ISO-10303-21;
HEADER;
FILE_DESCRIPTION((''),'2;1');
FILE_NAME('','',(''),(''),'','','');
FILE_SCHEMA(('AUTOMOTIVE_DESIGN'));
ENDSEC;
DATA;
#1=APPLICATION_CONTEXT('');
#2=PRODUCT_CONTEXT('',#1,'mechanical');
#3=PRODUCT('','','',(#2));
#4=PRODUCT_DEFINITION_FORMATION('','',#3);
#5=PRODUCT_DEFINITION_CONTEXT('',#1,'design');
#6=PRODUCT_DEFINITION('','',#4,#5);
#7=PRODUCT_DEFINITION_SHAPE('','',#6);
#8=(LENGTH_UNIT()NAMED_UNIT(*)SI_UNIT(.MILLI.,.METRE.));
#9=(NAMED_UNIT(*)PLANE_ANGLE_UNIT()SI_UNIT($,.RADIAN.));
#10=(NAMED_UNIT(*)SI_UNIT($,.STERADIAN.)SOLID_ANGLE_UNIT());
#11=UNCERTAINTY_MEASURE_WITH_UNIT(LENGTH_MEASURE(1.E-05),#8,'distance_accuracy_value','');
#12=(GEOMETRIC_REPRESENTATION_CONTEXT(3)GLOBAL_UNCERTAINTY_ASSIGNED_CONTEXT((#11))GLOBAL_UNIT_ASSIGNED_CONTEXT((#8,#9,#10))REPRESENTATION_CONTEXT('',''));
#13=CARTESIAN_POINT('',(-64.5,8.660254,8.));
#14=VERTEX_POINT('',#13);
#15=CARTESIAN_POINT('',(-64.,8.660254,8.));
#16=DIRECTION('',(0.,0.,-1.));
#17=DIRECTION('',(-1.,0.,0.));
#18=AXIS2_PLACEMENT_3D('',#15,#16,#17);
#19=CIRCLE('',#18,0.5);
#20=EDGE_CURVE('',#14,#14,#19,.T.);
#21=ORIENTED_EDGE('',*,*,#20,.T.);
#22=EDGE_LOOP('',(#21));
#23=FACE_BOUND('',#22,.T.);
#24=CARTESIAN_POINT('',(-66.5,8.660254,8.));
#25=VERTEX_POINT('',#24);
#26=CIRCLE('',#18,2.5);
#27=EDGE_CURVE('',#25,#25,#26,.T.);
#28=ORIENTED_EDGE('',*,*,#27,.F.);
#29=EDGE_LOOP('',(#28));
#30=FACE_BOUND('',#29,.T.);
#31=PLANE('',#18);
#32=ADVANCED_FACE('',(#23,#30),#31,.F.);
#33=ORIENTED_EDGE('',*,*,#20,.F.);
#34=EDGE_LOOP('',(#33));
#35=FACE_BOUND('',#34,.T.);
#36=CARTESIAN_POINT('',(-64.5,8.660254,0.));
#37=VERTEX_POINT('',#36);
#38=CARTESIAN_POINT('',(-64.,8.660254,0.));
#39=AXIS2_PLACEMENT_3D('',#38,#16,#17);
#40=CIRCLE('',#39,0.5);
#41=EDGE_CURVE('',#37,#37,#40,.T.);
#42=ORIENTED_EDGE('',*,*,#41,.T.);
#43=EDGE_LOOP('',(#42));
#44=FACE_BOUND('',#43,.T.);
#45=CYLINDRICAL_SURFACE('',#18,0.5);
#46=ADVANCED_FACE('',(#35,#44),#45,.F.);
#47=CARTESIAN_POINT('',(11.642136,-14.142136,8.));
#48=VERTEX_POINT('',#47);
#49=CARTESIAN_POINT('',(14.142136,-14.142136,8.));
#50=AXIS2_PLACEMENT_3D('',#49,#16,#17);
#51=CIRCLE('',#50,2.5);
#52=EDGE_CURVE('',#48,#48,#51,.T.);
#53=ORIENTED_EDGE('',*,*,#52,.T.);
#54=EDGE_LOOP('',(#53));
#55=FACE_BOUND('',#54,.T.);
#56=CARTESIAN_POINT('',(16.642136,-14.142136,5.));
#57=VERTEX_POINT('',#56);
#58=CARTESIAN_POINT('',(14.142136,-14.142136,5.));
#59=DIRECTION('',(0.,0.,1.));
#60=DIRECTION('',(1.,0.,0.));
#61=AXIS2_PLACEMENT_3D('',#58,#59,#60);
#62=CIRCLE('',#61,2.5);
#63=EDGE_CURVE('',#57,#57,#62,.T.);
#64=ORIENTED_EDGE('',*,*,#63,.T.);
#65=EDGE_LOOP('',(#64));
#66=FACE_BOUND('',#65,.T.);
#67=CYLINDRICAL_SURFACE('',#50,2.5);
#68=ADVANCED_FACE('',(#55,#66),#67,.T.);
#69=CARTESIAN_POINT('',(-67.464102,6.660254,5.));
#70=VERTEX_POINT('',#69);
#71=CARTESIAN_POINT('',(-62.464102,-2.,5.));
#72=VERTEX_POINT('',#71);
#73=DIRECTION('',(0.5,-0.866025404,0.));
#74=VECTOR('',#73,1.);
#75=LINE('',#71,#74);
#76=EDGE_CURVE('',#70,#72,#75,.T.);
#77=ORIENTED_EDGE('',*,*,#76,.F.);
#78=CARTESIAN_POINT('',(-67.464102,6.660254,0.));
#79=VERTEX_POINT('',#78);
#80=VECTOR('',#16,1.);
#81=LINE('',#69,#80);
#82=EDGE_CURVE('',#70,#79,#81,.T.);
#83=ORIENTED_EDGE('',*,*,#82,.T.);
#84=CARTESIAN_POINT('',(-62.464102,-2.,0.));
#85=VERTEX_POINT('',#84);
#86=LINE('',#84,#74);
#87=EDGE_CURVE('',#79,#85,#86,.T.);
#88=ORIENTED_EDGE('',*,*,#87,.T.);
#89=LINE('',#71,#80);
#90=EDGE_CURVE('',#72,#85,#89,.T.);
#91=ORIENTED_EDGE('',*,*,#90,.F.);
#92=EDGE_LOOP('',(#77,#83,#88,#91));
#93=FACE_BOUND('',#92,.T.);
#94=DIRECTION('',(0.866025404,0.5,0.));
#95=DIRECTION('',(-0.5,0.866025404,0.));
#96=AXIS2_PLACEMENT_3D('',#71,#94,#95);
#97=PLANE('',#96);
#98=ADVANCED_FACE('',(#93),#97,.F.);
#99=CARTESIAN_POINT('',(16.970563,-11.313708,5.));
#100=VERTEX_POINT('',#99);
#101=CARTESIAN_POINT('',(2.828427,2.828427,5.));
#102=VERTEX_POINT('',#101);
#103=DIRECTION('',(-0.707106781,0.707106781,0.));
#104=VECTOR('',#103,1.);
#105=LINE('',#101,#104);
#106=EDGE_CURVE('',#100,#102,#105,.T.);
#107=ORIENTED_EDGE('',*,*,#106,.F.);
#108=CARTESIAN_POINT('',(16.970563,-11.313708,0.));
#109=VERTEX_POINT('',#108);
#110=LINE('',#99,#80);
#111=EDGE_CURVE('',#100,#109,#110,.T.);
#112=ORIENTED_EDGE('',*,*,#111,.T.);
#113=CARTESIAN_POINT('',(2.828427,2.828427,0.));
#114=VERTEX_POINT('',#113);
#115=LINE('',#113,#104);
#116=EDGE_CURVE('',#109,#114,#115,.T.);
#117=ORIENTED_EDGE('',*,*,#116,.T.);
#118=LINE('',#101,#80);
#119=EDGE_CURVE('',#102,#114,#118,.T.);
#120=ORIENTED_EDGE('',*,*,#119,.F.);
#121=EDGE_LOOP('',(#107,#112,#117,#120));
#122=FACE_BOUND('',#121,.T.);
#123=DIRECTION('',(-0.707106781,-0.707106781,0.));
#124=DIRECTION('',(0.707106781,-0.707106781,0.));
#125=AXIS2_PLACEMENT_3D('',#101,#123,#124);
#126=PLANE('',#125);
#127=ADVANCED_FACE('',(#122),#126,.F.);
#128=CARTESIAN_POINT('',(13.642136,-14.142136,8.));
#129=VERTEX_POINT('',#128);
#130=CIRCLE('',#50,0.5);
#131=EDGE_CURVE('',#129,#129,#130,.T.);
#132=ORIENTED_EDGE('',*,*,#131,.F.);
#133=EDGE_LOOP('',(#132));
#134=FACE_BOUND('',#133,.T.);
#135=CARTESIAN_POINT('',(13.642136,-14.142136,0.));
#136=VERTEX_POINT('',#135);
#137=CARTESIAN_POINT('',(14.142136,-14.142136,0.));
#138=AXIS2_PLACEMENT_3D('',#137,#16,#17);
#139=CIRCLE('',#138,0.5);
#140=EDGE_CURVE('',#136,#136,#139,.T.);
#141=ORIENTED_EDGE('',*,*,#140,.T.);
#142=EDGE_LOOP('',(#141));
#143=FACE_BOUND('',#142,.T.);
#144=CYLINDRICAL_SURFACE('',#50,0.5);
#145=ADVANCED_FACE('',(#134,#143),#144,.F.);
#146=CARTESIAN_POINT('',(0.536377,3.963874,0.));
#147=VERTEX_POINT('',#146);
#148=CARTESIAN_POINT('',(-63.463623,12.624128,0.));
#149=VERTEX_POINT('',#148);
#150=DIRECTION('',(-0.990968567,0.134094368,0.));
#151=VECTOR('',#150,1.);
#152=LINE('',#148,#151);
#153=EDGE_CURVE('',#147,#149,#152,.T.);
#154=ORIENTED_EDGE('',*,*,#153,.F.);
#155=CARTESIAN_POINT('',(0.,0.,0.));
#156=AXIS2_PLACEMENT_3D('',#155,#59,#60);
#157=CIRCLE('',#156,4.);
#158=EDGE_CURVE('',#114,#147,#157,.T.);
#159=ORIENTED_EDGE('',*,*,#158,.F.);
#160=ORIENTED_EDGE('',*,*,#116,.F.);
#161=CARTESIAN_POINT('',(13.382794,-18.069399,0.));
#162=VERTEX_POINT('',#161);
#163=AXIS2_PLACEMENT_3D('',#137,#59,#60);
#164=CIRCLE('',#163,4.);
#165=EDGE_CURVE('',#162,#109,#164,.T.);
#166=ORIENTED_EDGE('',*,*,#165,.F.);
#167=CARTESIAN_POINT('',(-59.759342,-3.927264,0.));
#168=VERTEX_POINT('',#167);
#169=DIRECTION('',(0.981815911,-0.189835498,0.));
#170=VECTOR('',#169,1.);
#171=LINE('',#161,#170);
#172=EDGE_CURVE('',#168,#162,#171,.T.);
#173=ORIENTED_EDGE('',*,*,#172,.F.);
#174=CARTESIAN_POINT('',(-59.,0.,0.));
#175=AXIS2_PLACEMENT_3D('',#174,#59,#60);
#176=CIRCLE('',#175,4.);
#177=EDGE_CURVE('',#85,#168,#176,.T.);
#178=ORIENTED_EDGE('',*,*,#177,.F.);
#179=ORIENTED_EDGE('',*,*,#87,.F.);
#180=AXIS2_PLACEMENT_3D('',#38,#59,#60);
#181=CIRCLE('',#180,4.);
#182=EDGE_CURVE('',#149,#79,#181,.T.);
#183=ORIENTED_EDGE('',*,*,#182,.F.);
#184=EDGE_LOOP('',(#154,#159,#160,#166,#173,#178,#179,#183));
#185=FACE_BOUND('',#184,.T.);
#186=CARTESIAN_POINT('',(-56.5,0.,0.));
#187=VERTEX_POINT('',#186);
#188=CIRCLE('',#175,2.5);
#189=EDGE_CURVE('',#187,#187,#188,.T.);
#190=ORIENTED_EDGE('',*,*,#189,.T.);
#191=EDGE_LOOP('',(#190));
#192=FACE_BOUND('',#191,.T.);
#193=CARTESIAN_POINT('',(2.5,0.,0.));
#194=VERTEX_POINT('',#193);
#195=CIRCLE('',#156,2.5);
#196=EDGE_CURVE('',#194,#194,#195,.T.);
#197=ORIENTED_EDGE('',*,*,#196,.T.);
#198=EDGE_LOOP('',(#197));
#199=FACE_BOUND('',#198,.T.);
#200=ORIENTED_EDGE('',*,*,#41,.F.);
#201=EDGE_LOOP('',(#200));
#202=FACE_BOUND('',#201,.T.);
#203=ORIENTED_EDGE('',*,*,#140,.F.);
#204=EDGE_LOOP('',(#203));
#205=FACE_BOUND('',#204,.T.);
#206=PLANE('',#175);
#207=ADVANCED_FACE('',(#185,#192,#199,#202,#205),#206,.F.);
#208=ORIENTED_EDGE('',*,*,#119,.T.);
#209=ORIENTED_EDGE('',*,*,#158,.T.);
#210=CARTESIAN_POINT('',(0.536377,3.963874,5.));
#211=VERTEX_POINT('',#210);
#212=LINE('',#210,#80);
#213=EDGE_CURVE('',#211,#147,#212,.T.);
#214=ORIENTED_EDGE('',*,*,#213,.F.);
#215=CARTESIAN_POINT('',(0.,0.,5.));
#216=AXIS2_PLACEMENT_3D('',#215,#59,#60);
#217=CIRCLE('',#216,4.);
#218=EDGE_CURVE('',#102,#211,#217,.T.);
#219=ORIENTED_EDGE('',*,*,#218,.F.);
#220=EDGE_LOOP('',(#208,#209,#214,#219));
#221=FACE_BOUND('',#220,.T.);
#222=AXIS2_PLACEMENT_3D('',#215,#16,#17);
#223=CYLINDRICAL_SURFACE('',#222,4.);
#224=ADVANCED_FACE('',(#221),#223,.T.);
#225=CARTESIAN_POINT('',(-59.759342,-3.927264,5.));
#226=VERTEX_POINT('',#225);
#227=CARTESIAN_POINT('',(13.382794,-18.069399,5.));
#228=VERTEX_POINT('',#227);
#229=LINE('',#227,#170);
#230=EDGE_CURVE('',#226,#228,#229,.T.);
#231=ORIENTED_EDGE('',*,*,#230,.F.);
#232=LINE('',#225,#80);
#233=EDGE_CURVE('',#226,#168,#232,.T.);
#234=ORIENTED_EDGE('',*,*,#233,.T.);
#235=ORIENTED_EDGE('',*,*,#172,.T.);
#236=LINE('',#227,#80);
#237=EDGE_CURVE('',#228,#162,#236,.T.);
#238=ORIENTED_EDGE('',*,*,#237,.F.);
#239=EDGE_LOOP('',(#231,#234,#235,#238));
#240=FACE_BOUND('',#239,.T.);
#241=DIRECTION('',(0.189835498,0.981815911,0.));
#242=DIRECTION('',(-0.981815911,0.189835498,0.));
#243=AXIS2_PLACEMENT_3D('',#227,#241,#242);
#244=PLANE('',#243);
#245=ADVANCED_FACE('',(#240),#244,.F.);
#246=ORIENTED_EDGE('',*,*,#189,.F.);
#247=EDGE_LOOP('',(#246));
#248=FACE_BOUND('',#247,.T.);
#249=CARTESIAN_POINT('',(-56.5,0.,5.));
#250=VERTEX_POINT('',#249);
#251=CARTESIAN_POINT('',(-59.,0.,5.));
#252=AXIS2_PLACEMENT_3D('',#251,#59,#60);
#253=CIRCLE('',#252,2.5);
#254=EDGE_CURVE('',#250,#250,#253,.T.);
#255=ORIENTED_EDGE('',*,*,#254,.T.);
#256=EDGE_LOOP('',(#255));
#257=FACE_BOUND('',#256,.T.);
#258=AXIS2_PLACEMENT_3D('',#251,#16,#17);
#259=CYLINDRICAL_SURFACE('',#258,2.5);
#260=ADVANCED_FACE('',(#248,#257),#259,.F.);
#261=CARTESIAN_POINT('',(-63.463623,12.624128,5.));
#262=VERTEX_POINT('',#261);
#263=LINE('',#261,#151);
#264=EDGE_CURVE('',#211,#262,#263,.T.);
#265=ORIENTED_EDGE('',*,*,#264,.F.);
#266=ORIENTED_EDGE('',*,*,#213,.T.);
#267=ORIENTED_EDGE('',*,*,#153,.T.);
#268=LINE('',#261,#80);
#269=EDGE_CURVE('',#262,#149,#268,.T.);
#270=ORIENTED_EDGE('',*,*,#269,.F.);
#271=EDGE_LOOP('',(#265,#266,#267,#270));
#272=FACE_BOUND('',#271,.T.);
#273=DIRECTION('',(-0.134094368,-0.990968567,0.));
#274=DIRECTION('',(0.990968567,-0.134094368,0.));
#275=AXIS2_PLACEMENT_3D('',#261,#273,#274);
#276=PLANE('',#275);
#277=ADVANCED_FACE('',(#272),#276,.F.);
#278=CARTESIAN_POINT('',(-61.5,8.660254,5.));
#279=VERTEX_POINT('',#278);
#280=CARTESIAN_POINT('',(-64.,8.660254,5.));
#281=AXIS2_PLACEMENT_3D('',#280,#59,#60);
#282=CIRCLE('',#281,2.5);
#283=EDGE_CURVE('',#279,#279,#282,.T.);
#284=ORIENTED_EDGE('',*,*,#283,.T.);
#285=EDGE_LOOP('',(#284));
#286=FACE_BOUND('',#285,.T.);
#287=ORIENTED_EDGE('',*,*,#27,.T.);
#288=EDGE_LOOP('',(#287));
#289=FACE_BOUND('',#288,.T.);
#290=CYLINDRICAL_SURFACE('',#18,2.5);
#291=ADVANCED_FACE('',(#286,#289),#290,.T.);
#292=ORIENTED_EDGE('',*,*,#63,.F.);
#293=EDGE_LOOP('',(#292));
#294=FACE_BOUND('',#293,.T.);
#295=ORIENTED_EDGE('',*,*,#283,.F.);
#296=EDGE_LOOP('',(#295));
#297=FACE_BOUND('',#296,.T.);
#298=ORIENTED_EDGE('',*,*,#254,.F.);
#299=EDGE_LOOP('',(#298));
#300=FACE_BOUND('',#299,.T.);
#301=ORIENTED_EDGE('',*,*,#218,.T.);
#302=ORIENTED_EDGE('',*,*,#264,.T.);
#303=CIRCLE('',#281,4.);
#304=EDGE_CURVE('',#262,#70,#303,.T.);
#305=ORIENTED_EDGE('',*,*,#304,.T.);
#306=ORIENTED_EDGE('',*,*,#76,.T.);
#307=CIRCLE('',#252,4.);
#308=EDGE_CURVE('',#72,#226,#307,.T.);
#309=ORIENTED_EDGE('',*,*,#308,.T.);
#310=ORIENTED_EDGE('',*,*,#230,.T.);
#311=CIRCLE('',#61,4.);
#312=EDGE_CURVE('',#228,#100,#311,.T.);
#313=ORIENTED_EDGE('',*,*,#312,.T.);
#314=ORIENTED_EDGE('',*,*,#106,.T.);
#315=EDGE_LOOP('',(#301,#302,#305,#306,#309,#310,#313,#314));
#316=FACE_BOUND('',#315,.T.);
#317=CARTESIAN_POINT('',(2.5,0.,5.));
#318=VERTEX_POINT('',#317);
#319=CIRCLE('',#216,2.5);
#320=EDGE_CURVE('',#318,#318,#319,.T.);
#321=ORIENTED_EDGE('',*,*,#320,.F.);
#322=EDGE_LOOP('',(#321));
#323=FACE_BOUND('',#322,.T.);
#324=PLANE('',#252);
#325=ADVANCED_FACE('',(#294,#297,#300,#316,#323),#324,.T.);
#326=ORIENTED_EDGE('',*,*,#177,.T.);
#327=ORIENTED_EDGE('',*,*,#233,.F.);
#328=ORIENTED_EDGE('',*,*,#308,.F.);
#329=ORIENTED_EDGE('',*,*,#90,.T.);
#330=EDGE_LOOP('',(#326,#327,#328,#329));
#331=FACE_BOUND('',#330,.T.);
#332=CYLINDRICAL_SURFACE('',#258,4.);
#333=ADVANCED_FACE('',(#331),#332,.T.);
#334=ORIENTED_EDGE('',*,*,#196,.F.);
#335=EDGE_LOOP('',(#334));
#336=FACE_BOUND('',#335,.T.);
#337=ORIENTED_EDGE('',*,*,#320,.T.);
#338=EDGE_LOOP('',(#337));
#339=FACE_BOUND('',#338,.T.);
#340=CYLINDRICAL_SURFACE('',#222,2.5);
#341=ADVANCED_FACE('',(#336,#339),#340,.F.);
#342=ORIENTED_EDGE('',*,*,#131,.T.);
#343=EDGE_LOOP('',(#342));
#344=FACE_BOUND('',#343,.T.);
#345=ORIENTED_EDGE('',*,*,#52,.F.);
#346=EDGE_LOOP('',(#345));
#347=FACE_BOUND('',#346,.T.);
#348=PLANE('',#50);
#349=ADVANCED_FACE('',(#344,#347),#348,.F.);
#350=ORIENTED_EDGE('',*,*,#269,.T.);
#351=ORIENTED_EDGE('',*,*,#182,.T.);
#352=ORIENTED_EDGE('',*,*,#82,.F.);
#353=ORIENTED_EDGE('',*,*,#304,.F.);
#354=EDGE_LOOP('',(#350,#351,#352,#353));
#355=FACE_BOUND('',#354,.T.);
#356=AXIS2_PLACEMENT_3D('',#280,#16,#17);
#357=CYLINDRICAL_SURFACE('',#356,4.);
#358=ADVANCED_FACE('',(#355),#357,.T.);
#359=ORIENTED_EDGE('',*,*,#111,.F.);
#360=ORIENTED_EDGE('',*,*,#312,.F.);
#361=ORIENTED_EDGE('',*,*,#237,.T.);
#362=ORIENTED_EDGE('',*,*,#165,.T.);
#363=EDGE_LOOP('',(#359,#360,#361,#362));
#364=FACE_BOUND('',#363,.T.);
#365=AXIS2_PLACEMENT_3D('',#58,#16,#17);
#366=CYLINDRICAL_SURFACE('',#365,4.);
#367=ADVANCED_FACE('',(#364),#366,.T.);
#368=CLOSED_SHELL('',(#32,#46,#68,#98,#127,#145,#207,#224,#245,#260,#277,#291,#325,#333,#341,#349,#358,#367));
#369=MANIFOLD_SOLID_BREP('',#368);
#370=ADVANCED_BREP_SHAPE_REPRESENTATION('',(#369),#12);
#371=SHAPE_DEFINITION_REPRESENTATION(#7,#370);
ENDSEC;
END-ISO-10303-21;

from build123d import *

# Parameters (mm, degrees)
SKETCH2_R           = 2.5
BOSS_EXTRUDE1_DEPTH = 5
SKETCH4_R           = 2.5
SKETCH4_R_2         = 0.5
BOSS_EXTRUDE3_DEPTH = 8


with BuildPart() as part:
    # Sketch2 → Boss-Extrude1 (new body)
    with BuildSketch(Plane.XY):
        with BuildLine():
            Line((-63.463622529, 12.624128305), (0.536377471, 3.963874268))
            ThreePointArc((0.536377471, 3.963874268), (1.775609063, 3.584300832), (2.828427125, 2.828427125))
            Line((2.828427125, 2.828427125), (16.970562748, -11.313708499))
            ThreePointArc((16.970562748, -11.313708499), (17.674856638, -16.018270543), (13.38279363, -18.069399269))
            Line((13.38279363, -18.069399269), (-59.759341994, -3.927263645))
            ThreePointArc((-59.759341994, -3.927263645), (-61.321196947, -3.257613349), (-62.464101615, -2))
            Line((-62.464101615, -2), (-67.464101615, 6.660254038))
            ThreePointArc((-67.464101615, 6.660254038), (-67.321873152, 10.888517659), (-63.463622529, 12.624128305))
        make_face()
        with Locations((-59, 0)):
            Circle(SKETCH2_R, mode=Mode.SUBTRACT)
        with Locations((-64, 8.660254038)):
            Circle(SKETCH2_R, mode=Mode.SUBTRACT)
        Circle(SKETCH2_R, mode=Mode.SUBTRACT)
        with Locations((14.142135624, -14.142135624)):
            Circle(SKETCH2_R, mode=Mode.SUBTRACT)
    extrude(amount=BOSS_EXTRUDE1_DEPTH)

    # Sketch4 → Boss-Extrude3 (add)
    # profile 1 of 2: a face of its own
    with BuildSketch(Plane(origin=(0, 0, 0), x_dir=(-1, 0, 0), z_dir=(0, 0, -1))):
        with Locations((64, 8.660254038)):
            Circle(SKETCH4_R)
        with Locations((64, 8.660254038)):
            Circle(SKETCH4_R_2, mode=Mode.SUBTRACT)
    # profile 2 of 2: a face of its own
    with BuildSketch(Plane(origin=(0, 0, 0), x_dir=(-1, 0, 0), z_dir=(0, 0, -1))):
        with Locations((-14.142135624, -14.142135624)):
            Circle(SKETCH4_R)
        with Locations((-14.142135624, -14.142135624)):
            Circle(SKETCH4_R_2, mode=Mode.SUBTRACT)
    extrude(amount=-BOSS_EXTRUDE3_DEPTH)


solid = part.part
